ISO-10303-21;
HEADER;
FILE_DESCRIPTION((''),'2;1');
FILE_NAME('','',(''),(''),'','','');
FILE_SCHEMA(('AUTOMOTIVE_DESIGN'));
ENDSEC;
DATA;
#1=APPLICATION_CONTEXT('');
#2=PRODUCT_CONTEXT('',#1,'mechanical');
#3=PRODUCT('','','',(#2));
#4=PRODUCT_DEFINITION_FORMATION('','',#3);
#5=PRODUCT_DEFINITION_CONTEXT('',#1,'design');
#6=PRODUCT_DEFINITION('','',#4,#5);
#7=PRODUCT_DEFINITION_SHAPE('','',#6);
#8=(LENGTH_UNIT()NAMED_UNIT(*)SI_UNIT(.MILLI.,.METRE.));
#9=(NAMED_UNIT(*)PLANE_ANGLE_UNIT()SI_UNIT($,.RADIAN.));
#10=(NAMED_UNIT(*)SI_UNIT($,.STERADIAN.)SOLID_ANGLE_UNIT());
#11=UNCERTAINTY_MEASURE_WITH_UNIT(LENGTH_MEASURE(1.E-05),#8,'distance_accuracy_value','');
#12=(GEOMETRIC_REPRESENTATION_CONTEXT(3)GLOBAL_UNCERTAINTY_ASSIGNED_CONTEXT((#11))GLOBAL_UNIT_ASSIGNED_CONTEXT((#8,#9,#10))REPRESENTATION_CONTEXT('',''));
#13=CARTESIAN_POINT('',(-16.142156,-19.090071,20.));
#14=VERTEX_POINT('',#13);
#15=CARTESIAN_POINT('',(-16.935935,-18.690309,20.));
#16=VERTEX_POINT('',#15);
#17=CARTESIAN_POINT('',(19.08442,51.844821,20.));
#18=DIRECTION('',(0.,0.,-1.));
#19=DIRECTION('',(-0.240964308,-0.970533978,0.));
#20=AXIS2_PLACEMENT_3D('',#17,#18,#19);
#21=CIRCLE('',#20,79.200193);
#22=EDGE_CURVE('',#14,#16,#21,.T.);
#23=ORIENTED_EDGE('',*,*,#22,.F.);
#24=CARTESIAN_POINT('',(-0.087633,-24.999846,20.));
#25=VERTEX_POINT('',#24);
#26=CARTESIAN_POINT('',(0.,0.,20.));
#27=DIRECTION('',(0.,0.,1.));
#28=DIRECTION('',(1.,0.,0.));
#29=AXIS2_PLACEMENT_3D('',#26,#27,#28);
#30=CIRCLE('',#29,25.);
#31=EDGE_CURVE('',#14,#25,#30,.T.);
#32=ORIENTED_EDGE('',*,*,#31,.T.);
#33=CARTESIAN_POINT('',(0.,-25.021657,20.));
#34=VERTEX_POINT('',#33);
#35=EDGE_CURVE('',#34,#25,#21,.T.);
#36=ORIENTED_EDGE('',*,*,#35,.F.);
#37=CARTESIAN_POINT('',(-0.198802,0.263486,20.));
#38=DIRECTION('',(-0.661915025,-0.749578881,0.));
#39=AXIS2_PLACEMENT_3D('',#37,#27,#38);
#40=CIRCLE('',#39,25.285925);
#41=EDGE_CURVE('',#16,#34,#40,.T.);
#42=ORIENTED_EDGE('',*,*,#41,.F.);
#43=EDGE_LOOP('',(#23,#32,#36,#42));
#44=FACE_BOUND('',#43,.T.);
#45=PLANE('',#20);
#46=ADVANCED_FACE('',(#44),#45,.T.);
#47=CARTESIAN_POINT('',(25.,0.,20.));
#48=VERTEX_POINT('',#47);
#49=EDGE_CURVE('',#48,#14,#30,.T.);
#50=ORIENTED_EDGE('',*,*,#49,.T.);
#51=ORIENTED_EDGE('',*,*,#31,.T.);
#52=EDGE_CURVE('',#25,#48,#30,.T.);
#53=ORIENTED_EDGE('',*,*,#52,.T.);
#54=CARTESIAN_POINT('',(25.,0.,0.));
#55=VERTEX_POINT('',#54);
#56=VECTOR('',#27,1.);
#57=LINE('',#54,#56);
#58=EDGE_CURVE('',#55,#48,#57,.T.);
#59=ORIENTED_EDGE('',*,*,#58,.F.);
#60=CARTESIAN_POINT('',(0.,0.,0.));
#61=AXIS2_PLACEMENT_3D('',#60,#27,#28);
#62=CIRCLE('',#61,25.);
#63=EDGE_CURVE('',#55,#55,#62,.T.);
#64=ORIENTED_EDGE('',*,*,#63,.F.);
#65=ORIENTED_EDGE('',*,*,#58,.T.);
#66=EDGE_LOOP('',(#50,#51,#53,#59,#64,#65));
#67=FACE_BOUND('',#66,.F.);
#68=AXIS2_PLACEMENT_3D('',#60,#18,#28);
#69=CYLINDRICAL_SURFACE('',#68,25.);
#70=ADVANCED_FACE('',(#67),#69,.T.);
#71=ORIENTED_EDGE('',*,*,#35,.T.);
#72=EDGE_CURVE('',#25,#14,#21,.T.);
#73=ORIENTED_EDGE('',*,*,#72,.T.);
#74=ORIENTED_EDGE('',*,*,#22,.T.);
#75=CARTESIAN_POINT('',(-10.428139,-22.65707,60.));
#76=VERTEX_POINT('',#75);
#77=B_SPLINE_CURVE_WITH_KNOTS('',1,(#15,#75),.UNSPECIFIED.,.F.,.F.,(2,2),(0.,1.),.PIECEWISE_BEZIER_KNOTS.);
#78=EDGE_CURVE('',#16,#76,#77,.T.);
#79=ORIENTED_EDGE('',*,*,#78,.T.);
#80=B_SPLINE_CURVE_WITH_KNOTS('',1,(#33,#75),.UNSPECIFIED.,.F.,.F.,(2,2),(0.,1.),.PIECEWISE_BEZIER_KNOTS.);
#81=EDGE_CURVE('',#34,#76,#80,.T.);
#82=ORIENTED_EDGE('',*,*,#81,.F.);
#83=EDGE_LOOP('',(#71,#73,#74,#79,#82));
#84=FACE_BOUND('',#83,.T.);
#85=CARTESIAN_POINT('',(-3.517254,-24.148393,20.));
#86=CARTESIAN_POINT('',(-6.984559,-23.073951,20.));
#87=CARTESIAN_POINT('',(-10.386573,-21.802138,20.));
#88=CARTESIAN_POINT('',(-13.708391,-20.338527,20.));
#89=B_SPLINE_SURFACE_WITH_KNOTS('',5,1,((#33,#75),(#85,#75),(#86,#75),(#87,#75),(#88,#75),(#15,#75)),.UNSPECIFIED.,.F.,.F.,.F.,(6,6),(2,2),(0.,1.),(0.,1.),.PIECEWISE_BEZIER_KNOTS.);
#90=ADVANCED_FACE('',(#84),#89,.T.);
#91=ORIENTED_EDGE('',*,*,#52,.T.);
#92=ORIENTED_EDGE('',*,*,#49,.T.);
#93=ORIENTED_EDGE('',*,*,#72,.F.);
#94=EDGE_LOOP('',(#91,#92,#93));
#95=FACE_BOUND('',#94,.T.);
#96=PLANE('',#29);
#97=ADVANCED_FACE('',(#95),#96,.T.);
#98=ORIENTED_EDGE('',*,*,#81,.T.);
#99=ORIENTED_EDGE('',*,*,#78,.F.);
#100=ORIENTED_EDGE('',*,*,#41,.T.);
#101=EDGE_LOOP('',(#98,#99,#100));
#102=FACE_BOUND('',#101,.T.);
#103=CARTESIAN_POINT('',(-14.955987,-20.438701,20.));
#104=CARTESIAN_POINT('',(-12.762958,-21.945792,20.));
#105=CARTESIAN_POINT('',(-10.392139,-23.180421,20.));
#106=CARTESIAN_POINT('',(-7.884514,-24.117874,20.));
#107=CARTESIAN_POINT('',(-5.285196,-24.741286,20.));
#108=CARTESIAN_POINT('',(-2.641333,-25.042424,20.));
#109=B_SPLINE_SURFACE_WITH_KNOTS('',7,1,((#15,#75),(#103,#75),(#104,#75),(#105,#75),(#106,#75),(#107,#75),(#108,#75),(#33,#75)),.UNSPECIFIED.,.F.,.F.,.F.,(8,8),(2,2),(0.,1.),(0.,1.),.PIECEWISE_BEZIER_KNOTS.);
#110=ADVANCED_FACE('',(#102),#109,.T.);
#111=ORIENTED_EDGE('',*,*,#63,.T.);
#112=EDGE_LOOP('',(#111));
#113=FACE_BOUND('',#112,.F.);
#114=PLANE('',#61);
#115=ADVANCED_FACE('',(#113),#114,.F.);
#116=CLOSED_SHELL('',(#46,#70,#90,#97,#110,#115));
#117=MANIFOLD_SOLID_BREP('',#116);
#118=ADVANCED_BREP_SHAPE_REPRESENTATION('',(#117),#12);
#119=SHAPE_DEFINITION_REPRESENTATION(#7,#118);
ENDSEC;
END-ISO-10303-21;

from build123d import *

# Parameters (mm, degrees)
F0_R     = 25
F1_DEPTH = 20


with BuildPart() as f1:
    # F0 (on Top) → F1 (new body)
    with BuildSketch(Plane.XY):
        Circle(F0_R)
    extrude(amount=F1_DEPTH)

    # F3 (on offset) → F6 section 0
    with BuildSketch(Plane.XY.offset(20), mode=Mode.PRIVATE) as f6_s0:
        with BuildLine():
            ThreePointArc((0, -25.021657), (-8.649234, -22.340858), (-16.935935, -18.690309))
            ThreePointArc((-16.935935, -18.690309), (-9.053213, -23.421475), (0, -25.021657))
        make_face()
    loft([f6_s0.sketch, Vertex(-10.428139, -22.65707, 60)])


solid = f1.part
